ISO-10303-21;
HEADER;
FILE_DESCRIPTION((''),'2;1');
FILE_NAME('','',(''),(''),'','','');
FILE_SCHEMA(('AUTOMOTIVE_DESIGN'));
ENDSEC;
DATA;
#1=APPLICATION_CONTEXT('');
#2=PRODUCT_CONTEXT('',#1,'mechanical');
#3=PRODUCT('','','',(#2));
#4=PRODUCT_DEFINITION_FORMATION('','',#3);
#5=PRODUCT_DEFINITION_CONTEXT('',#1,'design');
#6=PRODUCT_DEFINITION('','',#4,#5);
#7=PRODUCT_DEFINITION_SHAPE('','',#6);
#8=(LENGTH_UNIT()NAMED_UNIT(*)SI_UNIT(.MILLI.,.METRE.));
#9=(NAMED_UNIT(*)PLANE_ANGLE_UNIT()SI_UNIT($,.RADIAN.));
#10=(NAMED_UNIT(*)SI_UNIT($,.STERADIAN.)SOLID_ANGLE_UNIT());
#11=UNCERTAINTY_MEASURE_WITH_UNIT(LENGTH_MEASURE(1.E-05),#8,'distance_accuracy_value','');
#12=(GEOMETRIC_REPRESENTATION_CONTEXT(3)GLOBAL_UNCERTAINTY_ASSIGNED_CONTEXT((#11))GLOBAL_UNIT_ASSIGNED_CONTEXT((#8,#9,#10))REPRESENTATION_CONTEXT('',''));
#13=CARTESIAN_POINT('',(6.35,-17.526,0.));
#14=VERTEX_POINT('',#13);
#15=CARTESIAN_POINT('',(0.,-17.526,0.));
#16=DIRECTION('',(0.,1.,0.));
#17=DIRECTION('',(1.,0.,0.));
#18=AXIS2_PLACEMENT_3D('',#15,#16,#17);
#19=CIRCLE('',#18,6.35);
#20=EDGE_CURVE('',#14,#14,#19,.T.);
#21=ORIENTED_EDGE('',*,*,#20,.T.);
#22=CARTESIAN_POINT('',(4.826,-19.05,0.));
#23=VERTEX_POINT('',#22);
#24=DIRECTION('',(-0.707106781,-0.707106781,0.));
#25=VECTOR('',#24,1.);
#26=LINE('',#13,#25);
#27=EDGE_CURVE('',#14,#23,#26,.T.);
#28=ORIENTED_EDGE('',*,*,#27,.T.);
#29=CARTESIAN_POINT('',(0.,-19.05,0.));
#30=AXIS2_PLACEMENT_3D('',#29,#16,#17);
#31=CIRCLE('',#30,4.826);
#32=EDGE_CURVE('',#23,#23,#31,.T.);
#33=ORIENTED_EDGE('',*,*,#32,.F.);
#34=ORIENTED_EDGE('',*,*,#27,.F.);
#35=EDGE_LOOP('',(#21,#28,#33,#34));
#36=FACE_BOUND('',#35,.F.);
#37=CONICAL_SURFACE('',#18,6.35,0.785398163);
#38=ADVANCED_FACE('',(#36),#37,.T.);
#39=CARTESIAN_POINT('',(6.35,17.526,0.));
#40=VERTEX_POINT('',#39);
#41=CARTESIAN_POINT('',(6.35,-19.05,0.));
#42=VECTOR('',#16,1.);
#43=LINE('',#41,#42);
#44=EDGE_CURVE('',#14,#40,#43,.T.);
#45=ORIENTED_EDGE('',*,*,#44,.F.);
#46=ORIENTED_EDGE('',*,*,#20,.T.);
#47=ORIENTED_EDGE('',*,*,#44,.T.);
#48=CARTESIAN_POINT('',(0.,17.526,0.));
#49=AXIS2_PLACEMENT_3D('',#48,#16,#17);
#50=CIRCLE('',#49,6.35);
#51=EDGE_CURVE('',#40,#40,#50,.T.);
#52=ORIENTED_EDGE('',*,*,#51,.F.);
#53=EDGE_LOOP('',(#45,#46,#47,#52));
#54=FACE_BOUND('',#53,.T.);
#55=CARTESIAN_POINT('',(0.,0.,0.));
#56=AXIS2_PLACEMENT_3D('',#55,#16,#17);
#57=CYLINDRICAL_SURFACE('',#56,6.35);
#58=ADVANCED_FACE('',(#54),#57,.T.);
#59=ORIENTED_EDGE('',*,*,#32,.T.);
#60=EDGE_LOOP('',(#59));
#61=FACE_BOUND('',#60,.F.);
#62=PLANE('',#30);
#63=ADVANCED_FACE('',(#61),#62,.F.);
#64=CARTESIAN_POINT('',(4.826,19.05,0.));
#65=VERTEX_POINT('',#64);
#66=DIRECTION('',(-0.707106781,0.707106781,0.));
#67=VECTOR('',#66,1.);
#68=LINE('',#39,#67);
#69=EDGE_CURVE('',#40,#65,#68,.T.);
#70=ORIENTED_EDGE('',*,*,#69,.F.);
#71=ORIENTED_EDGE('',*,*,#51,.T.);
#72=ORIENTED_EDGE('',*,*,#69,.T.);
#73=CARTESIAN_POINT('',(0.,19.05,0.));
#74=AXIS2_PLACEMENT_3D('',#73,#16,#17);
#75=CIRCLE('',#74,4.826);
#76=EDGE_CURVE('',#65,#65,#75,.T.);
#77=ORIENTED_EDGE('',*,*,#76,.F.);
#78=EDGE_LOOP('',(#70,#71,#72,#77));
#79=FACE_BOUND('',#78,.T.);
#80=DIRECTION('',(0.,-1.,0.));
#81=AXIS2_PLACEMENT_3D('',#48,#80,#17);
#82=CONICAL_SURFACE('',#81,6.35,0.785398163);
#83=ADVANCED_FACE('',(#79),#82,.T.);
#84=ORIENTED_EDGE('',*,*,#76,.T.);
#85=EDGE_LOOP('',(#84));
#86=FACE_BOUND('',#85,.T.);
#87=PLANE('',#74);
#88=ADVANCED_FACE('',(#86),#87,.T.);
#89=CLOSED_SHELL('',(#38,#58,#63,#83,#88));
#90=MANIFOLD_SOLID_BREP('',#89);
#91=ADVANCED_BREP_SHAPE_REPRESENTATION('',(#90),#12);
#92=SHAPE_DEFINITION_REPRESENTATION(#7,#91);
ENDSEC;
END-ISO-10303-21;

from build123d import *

# Parameters (mm, degrees)
SKETCH1_R           = 6.35
BOSS_EXTRUDE1_DEPTH = 19.05
CHAMFER1_SIZE       = 1.524


with BuildPart() as part:
    # Sketch1 → Boss-Extrude1 (new body, symmetric)
    with BuildSketch(Plane(origin=(0, 0, 0), x_dir=(1, 0, 0), z_dir=(0, 1, 0))):
        Circle(SKETCH1_R)
    extrude(amount=BOSS_EXTRUDE1_DEPTH, both=True)

    # Chamfer1
    chamfer1_edges = [part.edges().sort_by_distance(p)[0] for p in [
        (-6.35, -19.05, 0),
        (-6.35, 19.05, 0),
    ]]
    chamfer(chamfer1_edges, length=CHAMFER1_SIZE)


solid = part.part
